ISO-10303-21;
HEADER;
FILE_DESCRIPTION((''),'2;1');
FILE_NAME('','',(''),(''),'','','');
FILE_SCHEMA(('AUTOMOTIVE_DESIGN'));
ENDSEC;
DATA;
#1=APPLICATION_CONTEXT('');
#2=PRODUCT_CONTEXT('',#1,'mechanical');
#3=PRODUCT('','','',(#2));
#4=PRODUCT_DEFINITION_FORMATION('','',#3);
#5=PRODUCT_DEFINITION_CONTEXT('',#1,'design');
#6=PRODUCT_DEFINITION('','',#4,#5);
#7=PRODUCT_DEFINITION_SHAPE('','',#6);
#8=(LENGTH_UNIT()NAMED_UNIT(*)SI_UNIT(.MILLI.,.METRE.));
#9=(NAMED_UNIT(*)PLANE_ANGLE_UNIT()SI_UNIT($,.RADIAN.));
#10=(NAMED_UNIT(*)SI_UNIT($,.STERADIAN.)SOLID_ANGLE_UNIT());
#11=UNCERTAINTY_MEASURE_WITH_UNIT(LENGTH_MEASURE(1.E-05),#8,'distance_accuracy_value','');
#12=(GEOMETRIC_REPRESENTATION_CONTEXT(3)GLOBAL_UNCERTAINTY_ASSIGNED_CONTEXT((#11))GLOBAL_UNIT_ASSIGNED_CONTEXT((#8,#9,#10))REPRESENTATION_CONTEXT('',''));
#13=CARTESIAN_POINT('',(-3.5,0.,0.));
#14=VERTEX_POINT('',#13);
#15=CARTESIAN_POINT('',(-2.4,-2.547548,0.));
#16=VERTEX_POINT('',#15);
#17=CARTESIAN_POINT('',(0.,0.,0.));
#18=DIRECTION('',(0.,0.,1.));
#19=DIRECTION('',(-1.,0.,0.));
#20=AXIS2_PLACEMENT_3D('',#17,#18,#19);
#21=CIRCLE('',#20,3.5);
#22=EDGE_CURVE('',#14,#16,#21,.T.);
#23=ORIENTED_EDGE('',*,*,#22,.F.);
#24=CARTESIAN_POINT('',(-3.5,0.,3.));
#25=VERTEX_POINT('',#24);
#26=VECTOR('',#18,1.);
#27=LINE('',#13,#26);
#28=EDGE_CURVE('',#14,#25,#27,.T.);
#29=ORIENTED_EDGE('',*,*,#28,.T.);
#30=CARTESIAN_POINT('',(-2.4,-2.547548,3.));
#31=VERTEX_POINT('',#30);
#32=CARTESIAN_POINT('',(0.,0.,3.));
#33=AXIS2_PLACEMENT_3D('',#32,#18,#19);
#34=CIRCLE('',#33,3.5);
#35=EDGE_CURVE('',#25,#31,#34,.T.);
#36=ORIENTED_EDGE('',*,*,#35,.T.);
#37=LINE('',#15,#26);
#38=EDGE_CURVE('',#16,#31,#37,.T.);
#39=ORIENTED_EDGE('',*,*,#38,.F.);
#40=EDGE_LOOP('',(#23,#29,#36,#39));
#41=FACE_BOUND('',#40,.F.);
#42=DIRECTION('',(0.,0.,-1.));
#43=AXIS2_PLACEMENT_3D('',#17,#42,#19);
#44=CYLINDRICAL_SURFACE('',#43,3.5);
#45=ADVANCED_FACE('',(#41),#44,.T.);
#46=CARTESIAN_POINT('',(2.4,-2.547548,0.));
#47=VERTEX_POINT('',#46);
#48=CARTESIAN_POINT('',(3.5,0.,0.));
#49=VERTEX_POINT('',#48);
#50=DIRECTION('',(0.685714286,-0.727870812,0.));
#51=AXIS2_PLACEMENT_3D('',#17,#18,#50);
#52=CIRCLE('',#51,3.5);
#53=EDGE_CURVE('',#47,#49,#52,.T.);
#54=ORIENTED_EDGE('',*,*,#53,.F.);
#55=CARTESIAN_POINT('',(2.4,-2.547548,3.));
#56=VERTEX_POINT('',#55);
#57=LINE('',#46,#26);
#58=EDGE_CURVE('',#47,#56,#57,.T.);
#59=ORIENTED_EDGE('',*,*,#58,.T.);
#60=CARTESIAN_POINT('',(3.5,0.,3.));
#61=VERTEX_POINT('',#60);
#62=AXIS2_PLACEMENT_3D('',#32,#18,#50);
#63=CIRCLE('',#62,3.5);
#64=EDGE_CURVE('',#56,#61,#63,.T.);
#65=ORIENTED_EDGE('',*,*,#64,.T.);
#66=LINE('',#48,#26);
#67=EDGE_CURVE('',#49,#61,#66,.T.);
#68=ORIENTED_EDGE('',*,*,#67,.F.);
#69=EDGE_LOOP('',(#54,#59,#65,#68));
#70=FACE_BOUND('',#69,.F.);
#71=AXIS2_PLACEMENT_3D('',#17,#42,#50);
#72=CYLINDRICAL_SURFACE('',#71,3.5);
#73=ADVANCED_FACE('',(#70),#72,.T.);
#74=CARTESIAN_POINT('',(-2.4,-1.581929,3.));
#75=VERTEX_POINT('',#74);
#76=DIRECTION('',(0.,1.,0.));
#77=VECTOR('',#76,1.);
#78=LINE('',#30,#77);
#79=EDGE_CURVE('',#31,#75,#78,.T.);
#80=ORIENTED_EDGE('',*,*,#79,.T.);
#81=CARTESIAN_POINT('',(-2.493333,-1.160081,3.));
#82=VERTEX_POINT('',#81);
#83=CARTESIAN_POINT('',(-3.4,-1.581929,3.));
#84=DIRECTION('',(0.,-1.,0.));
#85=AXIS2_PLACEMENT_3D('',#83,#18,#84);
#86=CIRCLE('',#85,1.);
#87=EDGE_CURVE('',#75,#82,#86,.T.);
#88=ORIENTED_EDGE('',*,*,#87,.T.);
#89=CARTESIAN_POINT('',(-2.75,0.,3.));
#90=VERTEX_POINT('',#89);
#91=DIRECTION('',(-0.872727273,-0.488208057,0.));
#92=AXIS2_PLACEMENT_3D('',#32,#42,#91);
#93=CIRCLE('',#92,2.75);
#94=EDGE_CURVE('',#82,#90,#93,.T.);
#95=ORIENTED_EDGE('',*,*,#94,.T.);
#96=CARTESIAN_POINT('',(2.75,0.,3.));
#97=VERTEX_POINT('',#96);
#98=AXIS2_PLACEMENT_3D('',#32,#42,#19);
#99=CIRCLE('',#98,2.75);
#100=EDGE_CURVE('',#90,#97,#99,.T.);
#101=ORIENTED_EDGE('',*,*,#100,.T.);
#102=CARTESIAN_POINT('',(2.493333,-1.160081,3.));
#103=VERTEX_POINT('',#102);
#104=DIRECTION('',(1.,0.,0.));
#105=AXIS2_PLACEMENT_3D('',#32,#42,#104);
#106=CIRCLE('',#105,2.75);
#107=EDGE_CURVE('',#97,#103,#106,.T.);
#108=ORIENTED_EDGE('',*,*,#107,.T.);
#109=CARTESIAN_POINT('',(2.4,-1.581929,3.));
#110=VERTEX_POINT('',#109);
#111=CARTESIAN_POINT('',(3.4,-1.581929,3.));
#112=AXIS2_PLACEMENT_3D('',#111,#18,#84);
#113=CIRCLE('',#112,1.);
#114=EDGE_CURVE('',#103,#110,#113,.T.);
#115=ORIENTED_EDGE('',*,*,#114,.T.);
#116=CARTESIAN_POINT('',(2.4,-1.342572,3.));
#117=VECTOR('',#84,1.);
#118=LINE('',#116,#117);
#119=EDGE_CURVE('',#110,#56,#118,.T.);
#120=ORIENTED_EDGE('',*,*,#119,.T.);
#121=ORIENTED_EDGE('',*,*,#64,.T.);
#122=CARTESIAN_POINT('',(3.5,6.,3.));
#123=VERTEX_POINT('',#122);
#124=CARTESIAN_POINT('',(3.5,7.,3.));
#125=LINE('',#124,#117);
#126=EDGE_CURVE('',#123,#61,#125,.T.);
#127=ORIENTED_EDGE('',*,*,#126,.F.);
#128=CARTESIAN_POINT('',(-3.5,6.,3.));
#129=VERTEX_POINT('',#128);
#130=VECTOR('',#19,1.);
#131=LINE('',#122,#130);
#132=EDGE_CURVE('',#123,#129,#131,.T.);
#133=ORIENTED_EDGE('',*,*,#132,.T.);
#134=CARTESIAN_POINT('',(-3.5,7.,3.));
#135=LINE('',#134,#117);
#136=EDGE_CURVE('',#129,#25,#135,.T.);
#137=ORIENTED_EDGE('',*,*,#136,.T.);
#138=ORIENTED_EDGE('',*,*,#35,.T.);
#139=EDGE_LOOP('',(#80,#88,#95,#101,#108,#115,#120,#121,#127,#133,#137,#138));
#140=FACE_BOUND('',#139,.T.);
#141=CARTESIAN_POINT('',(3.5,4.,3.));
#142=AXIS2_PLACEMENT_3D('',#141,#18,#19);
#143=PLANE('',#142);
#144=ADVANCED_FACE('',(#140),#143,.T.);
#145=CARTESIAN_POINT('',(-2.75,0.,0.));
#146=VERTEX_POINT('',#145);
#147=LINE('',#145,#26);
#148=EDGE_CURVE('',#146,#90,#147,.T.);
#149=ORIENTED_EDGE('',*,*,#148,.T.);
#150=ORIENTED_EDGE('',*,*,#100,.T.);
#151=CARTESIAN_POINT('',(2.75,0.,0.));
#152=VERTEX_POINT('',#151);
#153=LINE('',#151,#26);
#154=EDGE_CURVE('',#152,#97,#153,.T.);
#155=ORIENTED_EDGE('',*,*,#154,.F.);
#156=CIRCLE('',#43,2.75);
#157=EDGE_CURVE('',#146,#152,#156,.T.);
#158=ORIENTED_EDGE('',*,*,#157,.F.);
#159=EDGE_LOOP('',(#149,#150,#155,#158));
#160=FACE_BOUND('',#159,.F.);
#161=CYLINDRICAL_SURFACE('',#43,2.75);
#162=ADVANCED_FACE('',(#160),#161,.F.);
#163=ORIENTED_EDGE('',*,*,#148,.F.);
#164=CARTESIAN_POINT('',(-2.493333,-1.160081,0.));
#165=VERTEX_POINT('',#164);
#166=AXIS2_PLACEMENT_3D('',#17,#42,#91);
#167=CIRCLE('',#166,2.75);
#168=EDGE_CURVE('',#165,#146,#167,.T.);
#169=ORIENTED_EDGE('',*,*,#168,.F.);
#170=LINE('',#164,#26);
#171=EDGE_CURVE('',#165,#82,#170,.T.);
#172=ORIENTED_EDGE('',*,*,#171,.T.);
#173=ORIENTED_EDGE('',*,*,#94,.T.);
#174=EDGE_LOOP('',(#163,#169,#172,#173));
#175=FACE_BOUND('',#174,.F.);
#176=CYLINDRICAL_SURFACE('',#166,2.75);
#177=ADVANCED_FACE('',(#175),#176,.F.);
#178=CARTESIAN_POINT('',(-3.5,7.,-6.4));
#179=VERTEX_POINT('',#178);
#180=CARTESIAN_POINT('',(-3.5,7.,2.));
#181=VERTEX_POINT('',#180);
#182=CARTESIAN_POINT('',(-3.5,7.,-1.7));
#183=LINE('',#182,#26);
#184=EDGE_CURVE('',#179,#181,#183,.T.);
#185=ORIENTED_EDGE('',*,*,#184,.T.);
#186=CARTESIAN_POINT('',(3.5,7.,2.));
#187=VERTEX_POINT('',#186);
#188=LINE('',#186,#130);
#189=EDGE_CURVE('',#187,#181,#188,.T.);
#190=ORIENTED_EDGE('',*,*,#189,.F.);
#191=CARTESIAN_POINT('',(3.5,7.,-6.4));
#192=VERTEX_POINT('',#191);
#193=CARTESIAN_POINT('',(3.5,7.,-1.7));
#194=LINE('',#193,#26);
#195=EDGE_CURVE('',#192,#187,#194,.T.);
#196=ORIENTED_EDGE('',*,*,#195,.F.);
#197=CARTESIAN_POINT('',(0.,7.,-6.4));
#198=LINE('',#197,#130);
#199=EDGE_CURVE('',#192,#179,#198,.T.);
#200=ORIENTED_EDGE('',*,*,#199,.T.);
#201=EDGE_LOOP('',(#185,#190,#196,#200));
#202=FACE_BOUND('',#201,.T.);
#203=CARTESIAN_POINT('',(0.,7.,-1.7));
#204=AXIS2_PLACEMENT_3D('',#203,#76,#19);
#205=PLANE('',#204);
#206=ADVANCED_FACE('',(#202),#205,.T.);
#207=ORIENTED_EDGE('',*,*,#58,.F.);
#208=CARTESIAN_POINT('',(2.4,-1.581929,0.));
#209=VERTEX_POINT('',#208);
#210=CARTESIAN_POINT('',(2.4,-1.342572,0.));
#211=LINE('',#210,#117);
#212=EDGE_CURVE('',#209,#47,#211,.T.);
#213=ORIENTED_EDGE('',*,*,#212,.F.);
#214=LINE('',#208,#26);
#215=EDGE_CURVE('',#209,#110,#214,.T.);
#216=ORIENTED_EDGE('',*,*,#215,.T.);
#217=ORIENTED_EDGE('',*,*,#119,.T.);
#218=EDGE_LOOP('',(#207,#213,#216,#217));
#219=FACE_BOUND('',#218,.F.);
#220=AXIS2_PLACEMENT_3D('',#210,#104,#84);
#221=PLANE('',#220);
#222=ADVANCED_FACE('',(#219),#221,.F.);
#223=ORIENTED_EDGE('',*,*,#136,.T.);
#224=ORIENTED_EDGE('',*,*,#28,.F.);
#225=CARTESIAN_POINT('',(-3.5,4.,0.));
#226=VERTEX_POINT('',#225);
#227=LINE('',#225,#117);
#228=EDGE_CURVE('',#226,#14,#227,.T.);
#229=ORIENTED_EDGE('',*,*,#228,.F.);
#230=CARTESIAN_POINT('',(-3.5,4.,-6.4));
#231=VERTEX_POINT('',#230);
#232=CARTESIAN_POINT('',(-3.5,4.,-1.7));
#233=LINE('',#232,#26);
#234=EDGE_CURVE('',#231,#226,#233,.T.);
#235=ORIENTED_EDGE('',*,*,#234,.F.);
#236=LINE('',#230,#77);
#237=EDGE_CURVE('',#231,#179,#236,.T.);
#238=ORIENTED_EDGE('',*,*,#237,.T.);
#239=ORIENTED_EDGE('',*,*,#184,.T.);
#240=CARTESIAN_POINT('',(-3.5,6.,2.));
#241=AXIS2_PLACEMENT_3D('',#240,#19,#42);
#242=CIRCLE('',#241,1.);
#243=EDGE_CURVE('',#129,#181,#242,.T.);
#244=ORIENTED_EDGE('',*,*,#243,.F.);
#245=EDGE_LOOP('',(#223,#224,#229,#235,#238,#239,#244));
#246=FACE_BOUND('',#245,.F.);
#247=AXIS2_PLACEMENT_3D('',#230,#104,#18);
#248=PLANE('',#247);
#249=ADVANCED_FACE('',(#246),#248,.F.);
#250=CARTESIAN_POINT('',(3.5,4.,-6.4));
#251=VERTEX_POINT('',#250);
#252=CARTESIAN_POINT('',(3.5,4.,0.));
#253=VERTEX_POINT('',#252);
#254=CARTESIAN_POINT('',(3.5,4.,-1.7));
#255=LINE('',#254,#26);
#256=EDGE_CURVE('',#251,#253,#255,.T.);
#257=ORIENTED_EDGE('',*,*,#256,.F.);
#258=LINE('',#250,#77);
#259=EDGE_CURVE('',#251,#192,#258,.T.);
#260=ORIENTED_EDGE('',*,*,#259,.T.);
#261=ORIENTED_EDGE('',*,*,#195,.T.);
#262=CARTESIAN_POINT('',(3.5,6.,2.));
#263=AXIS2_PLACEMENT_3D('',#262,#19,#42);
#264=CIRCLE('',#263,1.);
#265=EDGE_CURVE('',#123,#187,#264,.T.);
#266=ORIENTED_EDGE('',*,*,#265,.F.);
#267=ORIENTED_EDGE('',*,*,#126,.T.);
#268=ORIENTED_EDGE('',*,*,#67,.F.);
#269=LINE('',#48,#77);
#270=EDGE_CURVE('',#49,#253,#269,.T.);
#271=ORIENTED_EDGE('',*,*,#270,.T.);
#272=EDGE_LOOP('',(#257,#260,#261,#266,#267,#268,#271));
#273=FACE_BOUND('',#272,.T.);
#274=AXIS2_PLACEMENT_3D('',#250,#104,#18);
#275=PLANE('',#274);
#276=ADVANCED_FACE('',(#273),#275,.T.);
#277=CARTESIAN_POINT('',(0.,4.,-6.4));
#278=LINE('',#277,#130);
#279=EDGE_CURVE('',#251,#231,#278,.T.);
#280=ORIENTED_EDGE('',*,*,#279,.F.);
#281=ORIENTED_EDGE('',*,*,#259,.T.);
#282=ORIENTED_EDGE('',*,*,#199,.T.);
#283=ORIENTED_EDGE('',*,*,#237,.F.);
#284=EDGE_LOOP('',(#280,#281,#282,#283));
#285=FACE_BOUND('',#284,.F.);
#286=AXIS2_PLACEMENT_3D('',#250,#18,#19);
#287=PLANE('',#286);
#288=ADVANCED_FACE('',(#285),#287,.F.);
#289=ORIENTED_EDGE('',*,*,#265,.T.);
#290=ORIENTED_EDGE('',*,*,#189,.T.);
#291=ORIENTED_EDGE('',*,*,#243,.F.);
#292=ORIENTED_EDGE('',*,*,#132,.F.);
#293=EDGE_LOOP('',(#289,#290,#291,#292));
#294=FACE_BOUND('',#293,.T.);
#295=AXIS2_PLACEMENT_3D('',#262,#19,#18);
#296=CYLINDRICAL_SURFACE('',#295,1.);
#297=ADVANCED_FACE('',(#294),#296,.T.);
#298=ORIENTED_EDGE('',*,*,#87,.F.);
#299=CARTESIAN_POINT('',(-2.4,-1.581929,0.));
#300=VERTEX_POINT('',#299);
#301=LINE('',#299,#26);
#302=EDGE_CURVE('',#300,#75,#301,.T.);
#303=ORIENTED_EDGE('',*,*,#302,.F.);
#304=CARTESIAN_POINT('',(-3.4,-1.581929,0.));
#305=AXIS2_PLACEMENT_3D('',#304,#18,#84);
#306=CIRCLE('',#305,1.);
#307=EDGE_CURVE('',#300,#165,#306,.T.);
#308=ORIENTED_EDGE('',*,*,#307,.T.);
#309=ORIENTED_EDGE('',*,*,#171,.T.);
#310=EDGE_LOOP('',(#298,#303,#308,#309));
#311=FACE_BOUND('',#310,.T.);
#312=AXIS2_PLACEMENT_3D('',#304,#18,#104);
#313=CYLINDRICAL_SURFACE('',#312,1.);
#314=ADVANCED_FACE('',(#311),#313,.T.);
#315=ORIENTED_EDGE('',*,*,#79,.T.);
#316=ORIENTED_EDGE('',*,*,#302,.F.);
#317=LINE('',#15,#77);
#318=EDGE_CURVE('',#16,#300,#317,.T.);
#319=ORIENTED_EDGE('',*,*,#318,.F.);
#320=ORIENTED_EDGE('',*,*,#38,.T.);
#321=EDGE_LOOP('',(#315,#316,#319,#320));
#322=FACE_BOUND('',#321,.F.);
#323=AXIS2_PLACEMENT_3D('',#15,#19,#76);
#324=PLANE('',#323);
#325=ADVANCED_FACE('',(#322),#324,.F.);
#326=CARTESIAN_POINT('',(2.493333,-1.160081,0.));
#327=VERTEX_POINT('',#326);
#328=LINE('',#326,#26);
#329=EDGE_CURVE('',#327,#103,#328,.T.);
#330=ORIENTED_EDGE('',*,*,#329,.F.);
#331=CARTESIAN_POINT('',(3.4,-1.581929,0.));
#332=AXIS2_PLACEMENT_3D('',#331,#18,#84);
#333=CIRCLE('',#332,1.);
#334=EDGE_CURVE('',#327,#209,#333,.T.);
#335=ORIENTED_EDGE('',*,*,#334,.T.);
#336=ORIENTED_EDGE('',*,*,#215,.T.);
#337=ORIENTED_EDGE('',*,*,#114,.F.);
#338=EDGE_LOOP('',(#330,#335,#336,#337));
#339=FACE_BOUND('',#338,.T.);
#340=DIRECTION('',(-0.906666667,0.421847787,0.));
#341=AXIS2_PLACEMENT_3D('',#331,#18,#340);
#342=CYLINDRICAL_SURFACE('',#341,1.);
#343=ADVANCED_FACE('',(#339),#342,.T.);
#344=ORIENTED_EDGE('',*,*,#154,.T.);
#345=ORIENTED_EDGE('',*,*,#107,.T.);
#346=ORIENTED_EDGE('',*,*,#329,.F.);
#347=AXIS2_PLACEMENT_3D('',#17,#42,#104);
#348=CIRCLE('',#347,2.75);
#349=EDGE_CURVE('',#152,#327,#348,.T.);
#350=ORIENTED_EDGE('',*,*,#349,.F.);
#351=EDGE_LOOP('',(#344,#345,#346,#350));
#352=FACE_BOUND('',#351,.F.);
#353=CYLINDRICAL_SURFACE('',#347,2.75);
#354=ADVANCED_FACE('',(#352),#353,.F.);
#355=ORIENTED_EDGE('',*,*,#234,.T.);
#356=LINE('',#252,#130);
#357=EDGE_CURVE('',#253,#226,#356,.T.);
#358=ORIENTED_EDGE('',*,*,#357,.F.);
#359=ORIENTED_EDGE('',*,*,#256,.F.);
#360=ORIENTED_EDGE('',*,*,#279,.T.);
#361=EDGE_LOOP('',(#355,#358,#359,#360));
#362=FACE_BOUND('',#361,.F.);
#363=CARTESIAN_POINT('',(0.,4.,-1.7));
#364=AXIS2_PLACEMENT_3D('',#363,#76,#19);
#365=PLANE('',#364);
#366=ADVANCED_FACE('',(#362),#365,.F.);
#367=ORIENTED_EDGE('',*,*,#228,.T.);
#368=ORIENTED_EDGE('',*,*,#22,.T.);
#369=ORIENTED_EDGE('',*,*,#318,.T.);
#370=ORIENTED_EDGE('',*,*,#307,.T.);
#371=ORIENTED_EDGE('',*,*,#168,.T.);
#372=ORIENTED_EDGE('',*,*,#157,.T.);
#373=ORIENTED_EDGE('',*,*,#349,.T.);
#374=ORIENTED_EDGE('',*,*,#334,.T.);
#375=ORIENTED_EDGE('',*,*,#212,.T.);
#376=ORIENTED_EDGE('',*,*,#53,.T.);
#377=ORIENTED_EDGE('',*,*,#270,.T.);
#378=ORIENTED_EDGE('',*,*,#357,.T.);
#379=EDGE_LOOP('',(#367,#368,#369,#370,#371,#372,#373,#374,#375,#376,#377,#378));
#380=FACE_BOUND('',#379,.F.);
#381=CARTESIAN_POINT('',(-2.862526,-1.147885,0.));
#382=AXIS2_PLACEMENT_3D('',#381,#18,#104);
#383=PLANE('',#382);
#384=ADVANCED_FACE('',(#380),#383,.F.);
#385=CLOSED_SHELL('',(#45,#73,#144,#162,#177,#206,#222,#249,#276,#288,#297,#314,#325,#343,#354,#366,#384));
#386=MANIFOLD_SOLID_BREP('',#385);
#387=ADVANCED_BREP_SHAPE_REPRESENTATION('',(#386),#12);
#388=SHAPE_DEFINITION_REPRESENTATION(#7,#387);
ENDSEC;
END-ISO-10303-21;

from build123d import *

# Parameters (mm, degrees)
F1_DEPTH = 3
F2_W     = 7
F2_H     = 9.4
F3_DEPTH = 3
F4_R     = 1


with BuildPart() as f1:
    # F0 (on Top) → F1 (new body)
    with BuildSketch(Plane.XY):
        with BuildLine():
            ThreePointArc((-2.4, -1.3425721582), (-2.6610618181, -0.6937218463), (-2.75, 0))
            Line((-2.75, 0), (-3.5, 0))
            ThreePointArc((-3.5, 0), (-3.2132538026, -1.3874436926), (-2.4, -2.5475478406))
            Line((-2.4, -2.5475478406), (-2.4, -1.3425721582))
        make_face()
        with BuildLine():
            ThreePointArc((-2.75, 0), (0, 2.75), (2.75, 0))
            Line((2.75, 0), (3.5, 0))
            ThreePointArc((3.5, 0), (0, 3.5), (-3.5, 0))
            Line((-3.5, 0), (-2.75, 0))
        make_face()
        with BuildLine():
            Line((3.5, 0), (2.75, 0))
            ThreePointArc((2.75, 0), (2.6610618181, -0.6937218463), (2.4, -1.3425721582))
            Line((2.4, -1.3425721582), (2.4, -2.5475478406))
            ThreePointArc((2.4, -2.5475478406), (3.2132538026, -1.3874436926), (3.5, 0))
        make_face()
        with BuildLine():
            ThreePointArc((-3.5, 0), (0, 3.5), (3.5, 0))
            Line((3.5, 0), (3.5, 4))
            Line((3.5, 4), (-3.5, 4))
            Line((-3.5, 4), (-3.5, 0))
        make_face()
    extrude(amount=F1_DEPTH)

    # F2 (on face) → F3 (join)
    with BuildSketch(Plane(origin=(0, 4, 0), x_dir=(-1, 0, 0), z_dir=(0, 1, 0))):
        with Locations((0, -1.7)):
            Rectangle(F2_W, F2_H)
    extrude(amount=F3_DEPTH)

    # F4
    f4_edges = [f1.edges().sort_by_distance(p)[0] for p in [
        (0, 7, 3),
        (-2.4, -1.342572, 1.5),
        (2.4, -1.342572, 1.5),
    ]]
    fillet(f4_edges, radius=F4_R)


solid = f1.part
